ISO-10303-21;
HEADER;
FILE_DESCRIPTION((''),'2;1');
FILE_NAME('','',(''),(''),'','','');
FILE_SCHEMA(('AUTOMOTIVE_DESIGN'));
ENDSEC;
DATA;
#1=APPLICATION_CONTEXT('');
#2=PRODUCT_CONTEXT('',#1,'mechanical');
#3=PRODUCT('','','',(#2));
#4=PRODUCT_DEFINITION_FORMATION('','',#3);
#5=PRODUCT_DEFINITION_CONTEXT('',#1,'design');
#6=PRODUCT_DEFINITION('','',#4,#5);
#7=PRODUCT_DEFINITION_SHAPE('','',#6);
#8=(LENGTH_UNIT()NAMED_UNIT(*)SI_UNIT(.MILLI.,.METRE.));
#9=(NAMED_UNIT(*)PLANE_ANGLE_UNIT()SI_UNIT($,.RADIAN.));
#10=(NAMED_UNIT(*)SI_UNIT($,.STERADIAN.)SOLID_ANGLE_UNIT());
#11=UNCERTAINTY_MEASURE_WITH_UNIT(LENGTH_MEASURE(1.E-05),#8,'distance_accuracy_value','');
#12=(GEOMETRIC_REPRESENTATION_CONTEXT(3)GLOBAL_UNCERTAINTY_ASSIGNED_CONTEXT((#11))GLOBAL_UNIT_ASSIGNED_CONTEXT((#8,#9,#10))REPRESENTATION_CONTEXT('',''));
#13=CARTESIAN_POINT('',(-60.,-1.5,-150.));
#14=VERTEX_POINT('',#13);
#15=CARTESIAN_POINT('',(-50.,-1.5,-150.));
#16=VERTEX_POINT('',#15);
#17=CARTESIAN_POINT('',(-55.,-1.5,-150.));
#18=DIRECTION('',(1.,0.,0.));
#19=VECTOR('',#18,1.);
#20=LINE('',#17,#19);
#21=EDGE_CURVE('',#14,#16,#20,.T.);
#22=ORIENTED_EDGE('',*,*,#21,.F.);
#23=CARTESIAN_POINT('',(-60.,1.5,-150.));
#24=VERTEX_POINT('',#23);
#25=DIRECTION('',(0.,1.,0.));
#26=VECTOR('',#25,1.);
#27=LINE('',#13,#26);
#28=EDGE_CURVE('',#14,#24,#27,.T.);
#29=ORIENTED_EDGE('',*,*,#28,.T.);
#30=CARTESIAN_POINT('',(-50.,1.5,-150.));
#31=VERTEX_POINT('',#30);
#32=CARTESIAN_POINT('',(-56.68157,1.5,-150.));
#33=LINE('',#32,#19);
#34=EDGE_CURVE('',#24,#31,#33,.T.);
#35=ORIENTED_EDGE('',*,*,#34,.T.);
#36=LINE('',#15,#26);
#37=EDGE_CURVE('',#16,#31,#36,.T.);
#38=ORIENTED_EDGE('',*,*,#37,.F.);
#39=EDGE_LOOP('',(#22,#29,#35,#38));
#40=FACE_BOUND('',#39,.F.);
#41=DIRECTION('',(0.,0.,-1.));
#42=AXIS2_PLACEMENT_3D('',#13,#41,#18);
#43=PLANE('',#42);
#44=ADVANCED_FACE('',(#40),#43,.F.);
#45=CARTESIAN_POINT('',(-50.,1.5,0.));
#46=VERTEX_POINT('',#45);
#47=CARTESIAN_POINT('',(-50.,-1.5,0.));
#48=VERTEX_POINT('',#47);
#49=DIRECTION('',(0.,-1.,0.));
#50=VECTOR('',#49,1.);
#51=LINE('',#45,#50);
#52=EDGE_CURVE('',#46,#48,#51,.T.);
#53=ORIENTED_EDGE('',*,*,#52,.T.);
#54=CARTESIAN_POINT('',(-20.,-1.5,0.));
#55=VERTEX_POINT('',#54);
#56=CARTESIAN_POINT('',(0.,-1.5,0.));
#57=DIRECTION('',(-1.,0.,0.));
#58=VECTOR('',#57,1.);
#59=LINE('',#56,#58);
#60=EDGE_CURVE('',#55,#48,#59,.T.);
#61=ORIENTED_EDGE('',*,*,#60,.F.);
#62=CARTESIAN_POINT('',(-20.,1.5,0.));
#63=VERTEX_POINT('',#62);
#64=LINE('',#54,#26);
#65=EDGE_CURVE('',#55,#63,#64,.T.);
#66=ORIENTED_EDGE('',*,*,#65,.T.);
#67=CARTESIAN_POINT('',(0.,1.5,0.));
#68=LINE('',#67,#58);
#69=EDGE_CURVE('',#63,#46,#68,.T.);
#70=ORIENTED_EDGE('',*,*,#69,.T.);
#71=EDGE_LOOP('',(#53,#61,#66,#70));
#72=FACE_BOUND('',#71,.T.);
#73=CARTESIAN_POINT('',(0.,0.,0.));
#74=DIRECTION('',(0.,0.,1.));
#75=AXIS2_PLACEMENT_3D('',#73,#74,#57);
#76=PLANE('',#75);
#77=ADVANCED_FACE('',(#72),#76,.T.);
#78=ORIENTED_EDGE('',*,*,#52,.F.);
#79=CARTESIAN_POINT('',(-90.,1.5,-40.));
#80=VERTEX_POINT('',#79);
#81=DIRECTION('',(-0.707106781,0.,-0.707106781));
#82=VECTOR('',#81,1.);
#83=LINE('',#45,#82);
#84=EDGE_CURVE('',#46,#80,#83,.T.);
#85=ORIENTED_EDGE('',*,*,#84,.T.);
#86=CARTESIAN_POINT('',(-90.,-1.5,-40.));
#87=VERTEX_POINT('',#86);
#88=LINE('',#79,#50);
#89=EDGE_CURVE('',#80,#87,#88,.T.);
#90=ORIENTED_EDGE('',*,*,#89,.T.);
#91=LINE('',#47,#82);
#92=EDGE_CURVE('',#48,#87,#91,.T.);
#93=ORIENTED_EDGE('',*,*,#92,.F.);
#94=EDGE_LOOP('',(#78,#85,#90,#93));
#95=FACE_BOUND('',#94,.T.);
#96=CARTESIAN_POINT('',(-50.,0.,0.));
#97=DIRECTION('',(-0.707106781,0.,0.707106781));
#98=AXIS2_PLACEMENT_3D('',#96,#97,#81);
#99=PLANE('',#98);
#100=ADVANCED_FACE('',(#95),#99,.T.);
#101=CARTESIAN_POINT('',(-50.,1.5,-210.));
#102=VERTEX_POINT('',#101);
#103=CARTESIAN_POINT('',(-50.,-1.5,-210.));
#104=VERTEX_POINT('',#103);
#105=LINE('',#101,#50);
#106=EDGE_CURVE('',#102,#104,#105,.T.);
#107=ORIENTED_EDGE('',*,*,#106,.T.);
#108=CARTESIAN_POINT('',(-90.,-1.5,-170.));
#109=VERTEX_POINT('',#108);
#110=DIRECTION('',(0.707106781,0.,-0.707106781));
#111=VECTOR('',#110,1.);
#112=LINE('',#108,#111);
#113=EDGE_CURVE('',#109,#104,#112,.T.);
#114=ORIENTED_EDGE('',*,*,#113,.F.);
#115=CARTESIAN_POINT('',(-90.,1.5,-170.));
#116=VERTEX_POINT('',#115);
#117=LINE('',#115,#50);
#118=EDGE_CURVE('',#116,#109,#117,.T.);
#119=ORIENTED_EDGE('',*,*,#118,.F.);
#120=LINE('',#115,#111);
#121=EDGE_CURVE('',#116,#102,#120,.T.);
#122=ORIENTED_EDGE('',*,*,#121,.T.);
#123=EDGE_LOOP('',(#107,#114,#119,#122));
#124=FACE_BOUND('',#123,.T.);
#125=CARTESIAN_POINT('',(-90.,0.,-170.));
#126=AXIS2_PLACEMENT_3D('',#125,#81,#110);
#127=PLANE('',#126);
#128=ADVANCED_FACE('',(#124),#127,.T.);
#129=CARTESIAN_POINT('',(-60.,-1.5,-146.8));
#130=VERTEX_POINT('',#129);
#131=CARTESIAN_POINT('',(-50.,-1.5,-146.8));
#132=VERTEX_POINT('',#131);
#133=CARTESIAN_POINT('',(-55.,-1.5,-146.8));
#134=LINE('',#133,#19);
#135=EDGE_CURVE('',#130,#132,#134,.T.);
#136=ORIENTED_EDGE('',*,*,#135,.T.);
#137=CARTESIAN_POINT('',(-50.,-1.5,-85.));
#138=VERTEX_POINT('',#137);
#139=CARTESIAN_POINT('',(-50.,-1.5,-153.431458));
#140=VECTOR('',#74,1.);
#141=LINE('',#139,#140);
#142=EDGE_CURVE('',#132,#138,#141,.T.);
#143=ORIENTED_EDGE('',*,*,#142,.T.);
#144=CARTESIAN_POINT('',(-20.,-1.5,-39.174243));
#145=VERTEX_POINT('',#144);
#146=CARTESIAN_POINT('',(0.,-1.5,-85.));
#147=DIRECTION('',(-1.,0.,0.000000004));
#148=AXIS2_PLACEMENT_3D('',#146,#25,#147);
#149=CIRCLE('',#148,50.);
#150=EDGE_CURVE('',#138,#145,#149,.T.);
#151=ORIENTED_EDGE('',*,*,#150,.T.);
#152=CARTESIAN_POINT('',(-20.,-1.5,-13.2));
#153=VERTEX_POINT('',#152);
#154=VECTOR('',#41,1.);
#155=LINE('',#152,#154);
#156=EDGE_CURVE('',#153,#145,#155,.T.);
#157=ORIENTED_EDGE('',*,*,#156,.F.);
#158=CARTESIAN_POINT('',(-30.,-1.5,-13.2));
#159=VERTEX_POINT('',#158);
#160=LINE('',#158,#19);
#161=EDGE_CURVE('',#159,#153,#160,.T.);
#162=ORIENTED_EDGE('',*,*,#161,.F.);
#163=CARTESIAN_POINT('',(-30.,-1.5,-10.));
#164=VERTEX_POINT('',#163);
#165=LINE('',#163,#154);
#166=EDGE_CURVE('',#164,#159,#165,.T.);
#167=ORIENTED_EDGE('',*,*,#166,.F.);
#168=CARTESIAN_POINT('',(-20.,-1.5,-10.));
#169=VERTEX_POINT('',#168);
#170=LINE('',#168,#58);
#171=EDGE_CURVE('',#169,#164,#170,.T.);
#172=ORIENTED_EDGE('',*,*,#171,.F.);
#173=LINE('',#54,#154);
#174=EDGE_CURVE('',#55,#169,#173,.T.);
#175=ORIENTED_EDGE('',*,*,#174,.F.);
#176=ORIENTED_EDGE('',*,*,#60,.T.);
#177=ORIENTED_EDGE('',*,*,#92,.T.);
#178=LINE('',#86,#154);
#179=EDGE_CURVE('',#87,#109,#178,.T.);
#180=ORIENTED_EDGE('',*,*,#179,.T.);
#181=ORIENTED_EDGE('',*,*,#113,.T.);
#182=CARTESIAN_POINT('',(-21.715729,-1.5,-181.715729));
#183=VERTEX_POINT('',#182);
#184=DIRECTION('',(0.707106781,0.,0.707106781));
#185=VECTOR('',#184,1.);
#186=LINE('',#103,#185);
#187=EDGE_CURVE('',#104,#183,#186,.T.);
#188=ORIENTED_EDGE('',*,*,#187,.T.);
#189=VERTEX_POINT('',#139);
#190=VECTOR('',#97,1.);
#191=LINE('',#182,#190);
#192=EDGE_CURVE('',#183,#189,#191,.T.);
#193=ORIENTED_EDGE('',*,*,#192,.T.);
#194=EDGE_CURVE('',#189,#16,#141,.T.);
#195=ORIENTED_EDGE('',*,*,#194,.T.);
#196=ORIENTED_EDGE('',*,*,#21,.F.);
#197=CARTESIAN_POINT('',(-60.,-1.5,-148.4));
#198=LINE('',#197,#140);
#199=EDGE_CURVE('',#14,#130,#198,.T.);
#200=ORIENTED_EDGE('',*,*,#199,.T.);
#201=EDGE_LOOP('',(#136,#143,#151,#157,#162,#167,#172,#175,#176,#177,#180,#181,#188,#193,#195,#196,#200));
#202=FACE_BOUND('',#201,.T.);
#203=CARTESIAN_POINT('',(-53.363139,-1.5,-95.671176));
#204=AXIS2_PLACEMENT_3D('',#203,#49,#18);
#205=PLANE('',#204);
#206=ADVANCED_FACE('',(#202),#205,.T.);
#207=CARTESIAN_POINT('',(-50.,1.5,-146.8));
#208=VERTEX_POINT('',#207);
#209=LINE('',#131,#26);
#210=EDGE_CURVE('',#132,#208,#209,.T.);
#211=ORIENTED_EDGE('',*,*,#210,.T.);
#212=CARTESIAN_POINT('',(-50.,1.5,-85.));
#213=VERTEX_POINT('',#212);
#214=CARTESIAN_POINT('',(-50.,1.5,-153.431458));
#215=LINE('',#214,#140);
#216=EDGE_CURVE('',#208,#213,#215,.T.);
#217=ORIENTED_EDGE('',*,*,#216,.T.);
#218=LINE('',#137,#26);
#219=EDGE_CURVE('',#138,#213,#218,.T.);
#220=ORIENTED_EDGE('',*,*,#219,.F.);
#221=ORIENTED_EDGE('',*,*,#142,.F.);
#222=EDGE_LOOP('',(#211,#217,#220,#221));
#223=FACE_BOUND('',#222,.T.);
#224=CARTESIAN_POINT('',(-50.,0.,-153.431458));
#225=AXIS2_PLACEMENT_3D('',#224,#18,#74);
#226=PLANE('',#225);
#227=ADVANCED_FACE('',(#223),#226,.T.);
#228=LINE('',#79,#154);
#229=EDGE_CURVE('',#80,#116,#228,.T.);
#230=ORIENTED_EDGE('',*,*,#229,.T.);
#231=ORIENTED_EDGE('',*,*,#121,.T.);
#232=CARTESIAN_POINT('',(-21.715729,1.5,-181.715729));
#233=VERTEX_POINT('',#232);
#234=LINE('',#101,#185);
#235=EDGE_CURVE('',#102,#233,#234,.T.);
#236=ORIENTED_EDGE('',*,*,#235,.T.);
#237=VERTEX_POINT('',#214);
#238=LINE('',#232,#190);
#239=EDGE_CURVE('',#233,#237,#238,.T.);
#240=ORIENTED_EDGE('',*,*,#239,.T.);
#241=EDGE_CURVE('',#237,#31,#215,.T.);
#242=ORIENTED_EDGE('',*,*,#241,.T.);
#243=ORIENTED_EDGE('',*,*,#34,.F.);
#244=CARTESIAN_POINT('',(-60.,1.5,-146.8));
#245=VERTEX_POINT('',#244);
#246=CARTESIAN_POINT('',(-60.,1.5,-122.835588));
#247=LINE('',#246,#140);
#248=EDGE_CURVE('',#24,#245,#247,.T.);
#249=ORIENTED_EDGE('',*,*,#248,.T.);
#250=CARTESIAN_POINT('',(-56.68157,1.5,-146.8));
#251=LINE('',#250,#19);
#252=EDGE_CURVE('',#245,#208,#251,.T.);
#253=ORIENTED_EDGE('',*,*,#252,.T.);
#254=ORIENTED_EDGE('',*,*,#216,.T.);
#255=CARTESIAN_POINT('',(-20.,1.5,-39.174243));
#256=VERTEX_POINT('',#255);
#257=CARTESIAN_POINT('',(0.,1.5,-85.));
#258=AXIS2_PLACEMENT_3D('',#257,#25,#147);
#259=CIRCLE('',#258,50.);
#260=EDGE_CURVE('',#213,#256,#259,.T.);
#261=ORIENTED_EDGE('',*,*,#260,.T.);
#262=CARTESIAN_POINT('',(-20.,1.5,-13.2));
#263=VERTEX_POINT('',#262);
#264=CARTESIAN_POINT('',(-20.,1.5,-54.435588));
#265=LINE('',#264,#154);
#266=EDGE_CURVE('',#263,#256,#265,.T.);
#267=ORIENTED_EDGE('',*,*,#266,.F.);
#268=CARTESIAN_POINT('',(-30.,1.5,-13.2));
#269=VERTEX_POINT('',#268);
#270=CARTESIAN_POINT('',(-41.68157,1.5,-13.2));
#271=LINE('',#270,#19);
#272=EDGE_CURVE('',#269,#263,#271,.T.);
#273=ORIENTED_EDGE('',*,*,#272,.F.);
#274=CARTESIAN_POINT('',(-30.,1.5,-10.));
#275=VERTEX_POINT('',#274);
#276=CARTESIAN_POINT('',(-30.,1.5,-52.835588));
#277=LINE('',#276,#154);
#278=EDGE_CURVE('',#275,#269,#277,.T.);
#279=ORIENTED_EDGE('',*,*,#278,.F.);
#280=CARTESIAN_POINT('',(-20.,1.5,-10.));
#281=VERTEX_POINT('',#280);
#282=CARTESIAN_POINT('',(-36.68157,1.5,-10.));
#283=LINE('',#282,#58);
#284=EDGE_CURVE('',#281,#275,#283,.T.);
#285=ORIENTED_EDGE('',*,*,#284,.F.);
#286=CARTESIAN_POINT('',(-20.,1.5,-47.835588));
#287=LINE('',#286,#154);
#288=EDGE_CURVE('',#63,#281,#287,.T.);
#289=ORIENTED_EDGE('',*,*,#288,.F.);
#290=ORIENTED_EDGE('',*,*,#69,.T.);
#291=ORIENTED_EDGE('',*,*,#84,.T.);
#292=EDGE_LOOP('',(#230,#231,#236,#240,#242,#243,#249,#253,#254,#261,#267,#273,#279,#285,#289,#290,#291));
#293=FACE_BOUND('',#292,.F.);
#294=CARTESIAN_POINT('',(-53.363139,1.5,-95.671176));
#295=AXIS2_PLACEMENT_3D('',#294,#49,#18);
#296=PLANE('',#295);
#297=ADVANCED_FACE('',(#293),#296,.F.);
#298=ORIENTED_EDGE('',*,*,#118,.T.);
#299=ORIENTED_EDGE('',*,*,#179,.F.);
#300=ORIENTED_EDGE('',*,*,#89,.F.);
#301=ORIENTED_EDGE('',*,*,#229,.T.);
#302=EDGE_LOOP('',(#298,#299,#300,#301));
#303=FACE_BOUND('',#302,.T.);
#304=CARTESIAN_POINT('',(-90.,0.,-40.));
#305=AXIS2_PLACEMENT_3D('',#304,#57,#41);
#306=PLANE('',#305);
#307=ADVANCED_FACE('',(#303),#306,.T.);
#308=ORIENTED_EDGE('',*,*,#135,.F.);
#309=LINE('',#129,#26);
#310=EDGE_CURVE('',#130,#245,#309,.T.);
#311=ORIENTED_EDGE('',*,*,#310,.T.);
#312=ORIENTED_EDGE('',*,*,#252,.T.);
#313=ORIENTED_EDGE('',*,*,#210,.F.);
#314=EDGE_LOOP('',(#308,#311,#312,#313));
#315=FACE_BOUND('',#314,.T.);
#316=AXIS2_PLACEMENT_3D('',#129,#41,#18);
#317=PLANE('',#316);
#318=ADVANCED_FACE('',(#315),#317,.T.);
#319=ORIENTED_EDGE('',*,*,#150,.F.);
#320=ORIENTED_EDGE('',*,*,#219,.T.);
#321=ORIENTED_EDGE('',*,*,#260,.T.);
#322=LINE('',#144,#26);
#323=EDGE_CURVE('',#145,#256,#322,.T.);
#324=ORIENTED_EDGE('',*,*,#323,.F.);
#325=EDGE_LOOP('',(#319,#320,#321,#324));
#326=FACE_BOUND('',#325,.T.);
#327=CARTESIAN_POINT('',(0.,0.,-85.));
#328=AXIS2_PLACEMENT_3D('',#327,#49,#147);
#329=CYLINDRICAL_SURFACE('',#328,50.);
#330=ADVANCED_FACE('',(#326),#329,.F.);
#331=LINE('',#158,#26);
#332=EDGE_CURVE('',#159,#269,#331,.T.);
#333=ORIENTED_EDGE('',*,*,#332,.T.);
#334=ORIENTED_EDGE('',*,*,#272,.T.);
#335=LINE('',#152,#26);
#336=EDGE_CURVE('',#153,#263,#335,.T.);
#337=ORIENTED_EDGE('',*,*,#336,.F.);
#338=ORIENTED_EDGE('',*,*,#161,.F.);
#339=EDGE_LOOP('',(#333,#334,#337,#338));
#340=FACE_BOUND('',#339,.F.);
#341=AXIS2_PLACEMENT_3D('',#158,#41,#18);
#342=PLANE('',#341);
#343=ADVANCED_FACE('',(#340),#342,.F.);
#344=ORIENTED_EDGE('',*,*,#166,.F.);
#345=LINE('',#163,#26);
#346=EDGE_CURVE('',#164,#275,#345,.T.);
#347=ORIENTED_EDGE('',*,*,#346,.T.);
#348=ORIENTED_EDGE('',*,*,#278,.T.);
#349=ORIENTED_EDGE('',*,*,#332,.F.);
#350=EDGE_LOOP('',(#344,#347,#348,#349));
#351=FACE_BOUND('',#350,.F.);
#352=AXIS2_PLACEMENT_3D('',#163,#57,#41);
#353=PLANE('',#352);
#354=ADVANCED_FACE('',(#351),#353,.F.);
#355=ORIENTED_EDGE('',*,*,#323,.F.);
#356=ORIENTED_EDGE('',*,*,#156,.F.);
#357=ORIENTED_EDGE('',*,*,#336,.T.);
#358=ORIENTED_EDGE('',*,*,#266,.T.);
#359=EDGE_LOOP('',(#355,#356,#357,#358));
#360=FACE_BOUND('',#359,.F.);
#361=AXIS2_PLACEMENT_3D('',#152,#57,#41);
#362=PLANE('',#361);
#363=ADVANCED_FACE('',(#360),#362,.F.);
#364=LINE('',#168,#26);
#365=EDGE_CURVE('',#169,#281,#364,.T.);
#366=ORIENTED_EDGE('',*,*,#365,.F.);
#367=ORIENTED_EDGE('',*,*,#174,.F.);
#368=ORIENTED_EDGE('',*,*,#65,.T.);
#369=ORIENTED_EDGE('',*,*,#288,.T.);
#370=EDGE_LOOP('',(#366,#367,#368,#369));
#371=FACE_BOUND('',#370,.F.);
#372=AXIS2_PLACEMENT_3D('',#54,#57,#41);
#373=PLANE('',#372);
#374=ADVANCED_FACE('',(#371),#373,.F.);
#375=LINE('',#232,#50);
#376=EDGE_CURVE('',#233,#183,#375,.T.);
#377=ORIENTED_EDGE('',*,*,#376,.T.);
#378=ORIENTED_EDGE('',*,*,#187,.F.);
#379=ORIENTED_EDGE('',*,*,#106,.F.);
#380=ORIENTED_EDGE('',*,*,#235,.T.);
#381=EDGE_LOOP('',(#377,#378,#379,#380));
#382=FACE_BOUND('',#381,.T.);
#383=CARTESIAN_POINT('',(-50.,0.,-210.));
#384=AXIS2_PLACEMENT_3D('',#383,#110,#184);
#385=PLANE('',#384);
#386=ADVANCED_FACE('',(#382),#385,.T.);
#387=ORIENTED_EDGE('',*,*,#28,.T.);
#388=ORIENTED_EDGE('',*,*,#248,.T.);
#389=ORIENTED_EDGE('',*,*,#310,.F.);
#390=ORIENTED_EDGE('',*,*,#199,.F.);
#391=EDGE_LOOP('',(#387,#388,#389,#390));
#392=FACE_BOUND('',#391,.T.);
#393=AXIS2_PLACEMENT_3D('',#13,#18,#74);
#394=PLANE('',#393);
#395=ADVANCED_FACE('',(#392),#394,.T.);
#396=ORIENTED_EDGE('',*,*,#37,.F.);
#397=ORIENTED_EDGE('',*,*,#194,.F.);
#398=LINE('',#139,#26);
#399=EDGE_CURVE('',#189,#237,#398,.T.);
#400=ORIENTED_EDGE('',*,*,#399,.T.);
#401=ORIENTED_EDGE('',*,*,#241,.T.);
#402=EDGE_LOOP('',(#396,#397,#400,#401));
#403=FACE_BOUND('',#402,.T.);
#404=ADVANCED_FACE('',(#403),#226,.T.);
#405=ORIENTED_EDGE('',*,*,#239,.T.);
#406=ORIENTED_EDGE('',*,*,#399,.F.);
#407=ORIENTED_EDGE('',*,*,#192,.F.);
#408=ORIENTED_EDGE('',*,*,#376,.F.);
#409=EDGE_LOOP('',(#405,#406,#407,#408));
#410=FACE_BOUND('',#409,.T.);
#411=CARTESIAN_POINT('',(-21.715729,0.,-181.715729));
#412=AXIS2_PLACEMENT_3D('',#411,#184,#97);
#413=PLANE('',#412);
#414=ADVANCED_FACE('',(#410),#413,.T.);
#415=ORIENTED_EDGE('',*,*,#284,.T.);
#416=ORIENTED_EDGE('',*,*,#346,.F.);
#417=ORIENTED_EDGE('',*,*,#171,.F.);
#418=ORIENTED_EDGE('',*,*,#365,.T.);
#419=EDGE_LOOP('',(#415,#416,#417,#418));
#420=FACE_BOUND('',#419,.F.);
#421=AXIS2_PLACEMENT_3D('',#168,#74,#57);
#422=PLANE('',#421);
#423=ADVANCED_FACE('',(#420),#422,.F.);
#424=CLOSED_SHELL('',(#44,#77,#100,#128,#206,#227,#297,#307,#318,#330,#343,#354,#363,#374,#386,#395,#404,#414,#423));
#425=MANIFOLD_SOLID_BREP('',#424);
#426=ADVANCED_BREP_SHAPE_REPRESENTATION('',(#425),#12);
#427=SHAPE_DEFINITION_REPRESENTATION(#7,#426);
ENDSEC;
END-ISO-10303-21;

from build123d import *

# Parameters (mm, degrees)
F1_DEPTH = 1.5
F2_W     = 10
F2_H     = 3.2
F3_DEPTH = 3.001


with BuildPart() as f1:
    # F0 (on Front) → F1 (new body, symmetric)
    with BuildSketch(Plane.XZ):
        with BuildLine():
            Line((0, -35), (0, 0))
            Line((0, 0), (-50, 0))
            Line((-50, 0), (-90, -40))
            Line((-90, -40), (-90, -170))
            Line((-90, -170), (-50, -210))
            Line((-50, -210), (-21.715729, -181.715729))
            Line((-21.715729, -181.715729), (-50, -153.431458))
            Line((-50, -153.431458), (-50, -85))
            ThreePointArc((-50, -85), (-35.355339, -49.644661), (0, -35))
        make_face()
    extrude(amount=F1_DEPTH, both=True)

    # F2 (on face) → F3 (cut, through all)
    with BuildSketch(Plane.XZ.offset(1.5)):
        with BuildLine():
            Line((0, 0), (-20, 0))
            Line((-20, 0), (-20, -10))
            Line((-20, -10), (-30, -10))
            Line((-30, -10), (-30, -13.2))
            Line((-30, -13.2), (-20, -13.2))
            Line((-20, -13.2), (-20, -39.174243))
            ThreePointArc((-20, -39.174243), (-10.215482, -36.054684), (0, -35))
            Line((0, -35), (0, 0))
        make_face()
        with Locations((-55, -148.4)):
            Rectangle(F2_W, F2_H)
    extrude(amount=-F3_DEPTH, mode=Mode.SUBTRACT)


solid = f1.part
